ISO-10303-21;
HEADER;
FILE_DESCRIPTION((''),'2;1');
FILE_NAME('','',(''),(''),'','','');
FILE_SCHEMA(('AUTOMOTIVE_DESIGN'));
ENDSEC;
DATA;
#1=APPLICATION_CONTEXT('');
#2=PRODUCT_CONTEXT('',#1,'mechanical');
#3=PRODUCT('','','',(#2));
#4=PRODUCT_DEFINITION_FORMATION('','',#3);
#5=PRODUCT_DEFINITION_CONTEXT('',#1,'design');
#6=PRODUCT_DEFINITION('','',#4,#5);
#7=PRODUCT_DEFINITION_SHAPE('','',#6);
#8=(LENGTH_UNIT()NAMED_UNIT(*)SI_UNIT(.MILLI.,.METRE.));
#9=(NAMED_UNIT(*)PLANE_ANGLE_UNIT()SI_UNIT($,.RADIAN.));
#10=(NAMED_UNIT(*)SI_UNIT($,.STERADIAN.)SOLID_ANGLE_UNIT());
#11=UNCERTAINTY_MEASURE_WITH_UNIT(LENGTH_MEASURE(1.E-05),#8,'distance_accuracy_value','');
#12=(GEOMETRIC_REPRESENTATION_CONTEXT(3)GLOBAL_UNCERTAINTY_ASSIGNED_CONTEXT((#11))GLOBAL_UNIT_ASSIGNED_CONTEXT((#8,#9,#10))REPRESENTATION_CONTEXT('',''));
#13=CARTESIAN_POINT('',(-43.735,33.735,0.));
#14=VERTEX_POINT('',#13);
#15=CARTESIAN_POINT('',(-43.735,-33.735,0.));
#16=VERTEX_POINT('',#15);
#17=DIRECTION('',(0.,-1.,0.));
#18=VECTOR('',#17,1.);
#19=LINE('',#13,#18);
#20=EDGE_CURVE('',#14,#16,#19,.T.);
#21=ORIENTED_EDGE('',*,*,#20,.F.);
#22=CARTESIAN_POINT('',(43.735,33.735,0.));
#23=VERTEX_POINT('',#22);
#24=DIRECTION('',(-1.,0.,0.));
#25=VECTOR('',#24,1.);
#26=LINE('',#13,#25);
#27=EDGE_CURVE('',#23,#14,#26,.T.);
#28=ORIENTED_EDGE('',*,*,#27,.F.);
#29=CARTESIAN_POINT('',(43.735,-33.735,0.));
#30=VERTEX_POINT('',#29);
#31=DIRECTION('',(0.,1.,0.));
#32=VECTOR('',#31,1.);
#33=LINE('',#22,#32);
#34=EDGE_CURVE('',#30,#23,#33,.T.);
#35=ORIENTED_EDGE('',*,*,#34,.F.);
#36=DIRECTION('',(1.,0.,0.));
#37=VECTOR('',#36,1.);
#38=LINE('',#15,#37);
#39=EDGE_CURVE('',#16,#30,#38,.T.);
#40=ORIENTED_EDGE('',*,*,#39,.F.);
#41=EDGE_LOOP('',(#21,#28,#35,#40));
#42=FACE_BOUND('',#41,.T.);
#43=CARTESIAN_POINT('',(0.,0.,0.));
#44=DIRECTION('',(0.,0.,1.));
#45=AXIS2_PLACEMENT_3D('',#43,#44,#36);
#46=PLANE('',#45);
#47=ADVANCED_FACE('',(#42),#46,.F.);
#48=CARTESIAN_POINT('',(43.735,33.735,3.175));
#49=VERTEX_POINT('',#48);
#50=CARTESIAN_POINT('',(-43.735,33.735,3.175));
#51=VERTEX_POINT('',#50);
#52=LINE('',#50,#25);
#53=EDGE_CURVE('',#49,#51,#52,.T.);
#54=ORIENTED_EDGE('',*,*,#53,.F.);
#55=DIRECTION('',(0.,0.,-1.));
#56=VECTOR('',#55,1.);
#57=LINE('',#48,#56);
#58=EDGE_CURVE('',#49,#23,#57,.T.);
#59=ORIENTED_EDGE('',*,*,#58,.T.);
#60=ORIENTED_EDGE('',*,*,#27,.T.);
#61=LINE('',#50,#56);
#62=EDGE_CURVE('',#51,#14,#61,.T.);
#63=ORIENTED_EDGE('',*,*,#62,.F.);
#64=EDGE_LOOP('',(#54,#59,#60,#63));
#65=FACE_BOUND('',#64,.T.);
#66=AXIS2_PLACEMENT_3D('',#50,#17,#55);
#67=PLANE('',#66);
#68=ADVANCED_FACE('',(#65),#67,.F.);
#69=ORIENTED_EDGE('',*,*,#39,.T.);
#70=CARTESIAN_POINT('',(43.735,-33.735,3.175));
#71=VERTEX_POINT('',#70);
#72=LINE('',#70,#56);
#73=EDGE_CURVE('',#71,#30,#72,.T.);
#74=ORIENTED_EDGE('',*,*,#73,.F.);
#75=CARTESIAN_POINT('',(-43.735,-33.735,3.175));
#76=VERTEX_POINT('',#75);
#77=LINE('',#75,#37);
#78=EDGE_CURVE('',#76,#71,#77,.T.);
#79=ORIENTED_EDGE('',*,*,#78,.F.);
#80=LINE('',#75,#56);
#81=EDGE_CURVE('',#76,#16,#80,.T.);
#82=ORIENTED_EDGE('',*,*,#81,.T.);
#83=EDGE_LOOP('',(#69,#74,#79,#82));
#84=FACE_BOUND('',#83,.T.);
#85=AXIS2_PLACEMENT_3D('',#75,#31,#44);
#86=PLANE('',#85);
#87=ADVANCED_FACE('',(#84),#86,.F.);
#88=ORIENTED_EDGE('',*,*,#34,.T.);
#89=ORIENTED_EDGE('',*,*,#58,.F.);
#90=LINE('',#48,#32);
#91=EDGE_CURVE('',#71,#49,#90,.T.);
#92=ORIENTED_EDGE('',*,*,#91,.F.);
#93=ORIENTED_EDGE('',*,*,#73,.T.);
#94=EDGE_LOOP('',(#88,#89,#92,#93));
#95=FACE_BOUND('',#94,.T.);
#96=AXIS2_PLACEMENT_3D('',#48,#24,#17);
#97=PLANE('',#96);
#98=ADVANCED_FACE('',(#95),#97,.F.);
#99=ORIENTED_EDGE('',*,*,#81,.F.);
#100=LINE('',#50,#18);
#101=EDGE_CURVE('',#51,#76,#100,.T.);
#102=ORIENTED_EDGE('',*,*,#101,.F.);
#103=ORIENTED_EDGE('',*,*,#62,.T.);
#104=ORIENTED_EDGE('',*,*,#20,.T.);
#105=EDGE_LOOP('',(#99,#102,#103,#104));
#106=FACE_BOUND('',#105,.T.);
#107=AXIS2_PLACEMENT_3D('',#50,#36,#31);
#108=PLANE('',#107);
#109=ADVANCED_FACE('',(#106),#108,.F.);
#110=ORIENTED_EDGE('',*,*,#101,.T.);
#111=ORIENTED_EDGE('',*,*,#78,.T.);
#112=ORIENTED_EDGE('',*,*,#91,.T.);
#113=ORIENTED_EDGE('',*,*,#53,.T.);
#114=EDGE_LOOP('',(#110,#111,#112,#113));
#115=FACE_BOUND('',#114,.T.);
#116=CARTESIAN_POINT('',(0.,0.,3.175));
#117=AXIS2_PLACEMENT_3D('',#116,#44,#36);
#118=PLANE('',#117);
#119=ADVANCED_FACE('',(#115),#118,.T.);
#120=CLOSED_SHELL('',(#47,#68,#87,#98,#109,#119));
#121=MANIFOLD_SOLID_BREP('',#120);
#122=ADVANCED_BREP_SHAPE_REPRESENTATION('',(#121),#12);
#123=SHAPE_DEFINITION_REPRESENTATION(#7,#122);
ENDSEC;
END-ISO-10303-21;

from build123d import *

# Parameters (mm, degrees)
SKETCH1_W           = 87.47
SKETCH1_H           = 67.47
BOSS_EXTRUDE1_DEPTH = 3.175


with BuildPart() as part:
    # Sketch1 → Boss-Extrude1 (new body)
    with BuildSketch(Plane.XY):
        Rectangle(SKETCH1_W, SKETCH1_H)
    extrude(amount=BOSS_EXTRUDE1_DEPTH)


solid = part.part
